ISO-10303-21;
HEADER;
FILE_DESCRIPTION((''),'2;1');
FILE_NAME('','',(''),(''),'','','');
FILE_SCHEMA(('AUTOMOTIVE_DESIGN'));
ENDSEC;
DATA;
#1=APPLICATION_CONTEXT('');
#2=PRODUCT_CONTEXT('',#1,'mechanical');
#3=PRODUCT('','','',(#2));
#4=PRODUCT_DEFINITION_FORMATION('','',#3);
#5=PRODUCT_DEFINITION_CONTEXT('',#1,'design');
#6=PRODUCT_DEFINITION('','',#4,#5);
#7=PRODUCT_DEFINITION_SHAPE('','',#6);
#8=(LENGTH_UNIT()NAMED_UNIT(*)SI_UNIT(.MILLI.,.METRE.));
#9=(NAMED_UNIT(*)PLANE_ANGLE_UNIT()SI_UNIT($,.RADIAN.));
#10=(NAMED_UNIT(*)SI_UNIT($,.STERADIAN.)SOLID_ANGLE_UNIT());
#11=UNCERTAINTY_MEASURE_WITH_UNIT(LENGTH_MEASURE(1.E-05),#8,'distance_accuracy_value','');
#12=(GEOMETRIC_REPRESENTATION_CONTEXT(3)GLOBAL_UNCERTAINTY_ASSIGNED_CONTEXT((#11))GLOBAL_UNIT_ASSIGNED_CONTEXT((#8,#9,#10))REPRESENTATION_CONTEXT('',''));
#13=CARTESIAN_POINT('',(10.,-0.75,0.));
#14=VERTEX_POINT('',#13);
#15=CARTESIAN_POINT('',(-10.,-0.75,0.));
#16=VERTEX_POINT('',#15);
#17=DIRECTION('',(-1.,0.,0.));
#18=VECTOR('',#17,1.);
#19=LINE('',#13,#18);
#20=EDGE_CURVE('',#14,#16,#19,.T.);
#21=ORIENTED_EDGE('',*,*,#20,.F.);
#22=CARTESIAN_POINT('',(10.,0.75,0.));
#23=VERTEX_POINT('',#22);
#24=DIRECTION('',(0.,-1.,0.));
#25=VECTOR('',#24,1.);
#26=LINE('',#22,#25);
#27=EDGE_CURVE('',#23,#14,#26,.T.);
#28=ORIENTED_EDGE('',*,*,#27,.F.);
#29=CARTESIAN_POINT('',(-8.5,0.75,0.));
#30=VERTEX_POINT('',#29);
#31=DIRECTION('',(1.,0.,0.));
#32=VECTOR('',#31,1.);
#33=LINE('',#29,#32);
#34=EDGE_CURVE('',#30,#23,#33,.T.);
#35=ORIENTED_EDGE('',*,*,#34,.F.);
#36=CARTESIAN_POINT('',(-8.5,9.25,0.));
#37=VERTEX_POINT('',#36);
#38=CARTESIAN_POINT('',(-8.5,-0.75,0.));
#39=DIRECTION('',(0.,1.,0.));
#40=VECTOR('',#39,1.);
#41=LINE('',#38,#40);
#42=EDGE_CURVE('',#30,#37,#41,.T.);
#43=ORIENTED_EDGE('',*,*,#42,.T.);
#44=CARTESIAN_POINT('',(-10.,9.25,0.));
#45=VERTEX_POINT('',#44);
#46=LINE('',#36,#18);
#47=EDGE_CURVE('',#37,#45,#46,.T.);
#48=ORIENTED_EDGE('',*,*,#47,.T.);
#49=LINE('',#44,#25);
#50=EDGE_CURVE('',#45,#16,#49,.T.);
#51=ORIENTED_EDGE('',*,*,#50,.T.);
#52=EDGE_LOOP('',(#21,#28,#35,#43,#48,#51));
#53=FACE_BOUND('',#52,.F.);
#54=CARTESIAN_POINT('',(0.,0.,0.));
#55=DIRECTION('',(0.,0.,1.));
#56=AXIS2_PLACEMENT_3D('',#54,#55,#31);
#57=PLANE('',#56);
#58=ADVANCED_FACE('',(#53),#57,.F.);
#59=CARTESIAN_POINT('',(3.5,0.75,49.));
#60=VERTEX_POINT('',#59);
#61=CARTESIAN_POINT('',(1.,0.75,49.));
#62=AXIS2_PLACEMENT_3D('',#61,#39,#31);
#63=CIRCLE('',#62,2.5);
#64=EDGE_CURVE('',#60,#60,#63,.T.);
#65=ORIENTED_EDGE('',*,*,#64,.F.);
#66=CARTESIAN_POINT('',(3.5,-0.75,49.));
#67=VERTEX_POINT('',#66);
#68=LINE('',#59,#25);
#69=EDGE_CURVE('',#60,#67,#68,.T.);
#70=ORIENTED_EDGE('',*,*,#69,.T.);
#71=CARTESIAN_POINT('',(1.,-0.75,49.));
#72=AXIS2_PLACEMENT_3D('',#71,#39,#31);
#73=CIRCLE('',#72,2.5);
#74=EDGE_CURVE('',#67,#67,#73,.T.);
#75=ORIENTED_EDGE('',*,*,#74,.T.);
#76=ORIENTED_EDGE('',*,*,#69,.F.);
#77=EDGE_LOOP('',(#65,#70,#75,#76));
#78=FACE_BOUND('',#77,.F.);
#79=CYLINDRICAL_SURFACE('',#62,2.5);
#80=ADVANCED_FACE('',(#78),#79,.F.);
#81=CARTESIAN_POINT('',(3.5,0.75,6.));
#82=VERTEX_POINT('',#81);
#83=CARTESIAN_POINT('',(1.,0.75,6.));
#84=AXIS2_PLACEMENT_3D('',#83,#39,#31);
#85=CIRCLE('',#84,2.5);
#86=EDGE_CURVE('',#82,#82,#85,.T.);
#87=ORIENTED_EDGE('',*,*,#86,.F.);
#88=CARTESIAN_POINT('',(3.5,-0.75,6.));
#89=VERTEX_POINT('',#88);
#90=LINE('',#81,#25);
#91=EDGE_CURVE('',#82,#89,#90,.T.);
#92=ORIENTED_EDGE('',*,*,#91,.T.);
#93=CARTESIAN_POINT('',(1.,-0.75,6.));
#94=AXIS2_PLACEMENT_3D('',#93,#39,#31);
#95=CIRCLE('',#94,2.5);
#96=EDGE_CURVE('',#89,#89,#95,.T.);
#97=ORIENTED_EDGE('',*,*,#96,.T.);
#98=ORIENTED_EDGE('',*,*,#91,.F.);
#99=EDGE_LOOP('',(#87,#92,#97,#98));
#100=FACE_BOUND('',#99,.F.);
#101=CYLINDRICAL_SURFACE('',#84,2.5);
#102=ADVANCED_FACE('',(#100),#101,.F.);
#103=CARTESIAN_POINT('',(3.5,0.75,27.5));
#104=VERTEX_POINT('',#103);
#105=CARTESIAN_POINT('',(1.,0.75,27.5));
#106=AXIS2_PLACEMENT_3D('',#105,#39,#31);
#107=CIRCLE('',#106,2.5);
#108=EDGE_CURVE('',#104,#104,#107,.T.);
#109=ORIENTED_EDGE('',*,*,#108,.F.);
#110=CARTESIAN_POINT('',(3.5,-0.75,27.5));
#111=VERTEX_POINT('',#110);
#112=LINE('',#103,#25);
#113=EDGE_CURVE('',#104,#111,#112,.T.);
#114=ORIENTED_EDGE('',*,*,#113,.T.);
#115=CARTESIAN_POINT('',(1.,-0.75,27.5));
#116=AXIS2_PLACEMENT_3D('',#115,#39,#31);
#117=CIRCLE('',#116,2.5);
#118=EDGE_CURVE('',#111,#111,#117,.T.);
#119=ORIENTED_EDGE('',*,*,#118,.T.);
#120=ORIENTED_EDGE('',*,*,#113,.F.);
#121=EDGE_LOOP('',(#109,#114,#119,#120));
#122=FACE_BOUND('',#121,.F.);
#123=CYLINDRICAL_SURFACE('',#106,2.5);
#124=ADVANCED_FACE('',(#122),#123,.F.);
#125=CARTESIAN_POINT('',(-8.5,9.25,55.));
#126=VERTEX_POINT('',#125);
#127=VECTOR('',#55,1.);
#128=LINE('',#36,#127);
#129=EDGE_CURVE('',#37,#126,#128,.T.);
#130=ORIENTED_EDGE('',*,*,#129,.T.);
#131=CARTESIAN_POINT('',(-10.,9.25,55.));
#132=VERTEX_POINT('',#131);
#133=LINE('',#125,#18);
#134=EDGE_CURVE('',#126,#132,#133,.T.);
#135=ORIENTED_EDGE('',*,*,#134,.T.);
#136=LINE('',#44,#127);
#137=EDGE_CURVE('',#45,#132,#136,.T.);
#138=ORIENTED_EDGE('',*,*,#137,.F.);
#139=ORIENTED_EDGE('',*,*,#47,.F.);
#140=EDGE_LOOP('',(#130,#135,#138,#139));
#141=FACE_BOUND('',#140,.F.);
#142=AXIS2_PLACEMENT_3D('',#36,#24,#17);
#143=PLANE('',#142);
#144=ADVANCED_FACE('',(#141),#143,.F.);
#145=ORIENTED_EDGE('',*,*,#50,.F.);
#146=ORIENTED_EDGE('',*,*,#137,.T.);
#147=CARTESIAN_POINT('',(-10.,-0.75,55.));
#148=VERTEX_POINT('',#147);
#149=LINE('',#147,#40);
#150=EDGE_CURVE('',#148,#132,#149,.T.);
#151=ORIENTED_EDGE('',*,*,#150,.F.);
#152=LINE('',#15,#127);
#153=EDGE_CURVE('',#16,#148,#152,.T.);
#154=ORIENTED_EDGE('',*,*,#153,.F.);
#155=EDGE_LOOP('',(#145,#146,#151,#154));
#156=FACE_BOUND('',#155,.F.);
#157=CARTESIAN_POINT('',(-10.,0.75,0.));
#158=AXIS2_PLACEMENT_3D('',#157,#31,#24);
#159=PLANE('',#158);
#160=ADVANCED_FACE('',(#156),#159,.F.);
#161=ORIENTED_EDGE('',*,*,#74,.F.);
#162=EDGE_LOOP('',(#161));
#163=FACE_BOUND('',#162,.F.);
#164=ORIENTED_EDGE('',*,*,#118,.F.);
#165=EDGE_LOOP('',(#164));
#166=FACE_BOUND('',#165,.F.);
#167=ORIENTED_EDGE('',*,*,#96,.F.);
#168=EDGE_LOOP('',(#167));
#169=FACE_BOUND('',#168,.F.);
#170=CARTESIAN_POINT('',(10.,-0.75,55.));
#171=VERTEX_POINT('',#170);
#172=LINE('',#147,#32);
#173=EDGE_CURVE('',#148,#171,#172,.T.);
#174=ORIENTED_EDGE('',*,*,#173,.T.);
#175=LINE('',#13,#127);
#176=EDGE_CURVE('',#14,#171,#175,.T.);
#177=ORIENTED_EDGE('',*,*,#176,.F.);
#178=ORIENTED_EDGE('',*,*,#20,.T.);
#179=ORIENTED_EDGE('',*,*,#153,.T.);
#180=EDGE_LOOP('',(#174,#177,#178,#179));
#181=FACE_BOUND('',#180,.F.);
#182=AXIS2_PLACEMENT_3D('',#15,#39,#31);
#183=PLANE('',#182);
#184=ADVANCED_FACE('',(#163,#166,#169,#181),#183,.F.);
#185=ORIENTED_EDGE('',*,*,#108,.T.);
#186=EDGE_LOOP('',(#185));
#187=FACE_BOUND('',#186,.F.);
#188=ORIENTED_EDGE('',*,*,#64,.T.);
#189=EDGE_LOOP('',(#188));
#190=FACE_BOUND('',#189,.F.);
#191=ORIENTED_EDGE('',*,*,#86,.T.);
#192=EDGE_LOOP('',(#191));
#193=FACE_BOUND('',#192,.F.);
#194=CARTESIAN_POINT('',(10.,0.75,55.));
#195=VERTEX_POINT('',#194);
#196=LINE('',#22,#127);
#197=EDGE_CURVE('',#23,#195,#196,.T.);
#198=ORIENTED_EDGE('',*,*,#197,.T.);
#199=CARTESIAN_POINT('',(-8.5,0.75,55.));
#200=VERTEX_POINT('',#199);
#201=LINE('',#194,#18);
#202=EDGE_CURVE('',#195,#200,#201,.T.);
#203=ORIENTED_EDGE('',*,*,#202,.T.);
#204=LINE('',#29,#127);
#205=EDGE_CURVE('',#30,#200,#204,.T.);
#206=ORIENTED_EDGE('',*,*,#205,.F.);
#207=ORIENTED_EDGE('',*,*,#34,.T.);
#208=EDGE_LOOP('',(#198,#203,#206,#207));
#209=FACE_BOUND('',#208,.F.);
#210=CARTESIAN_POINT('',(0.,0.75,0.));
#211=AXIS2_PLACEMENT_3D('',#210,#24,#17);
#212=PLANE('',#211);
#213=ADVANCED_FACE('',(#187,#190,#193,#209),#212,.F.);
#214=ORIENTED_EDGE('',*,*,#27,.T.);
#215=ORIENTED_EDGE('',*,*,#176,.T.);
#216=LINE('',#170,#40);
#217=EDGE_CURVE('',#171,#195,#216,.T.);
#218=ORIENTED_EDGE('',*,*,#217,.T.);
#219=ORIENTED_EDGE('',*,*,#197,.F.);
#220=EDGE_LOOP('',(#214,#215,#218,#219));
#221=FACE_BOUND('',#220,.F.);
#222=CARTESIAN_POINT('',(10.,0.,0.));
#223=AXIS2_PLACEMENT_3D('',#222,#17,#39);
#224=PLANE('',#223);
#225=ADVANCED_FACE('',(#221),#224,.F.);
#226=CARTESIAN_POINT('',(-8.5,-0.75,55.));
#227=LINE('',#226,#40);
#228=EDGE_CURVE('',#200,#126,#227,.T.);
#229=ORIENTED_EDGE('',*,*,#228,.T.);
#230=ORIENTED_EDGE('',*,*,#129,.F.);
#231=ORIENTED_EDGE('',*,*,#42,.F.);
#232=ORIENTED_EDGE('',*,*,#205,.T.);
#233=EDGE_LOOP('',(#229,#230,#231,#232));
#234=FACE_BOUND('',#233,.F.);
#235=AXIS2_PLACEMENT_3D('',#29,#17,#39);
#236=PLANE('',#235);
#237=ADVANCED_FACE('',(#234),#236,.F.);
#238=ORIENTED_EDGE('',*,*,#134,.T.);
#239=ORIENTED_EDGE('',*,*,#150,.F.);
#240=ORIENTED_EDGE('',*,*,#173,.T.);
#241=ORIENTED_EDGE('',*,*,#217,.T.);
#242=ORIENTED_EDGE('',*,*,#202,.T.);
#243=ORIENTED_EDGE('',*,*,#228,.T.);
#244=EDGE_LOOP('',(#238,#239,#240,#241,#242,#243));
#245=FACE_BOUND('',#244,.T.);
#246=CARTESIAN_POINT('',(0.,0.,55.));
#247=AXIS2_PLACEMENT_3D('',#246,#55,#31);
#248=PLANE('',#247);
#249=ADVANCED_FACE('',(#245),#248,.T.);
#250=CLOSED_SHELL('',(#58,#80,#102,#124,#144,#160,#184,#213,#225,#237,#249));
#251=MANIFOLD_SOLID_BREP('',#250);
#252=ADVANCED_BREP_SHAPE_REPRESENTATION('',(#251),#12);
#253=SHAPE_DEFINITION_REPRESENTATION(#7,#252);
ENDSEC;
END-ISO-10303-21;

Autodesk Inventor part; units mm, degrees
ref_plane "YZ Plane" through (0, 0, 0) normal (1, 0, 0) x (0, 1, 0)
ref_plane "XZ Plane" through (0, 0, 0) normal (0, 1, 0) x (-1, 0, 0)
ref_plane "XY Plane" through (0, 0, 0) normal (0, 0, 1) x (1, 0, 0)
sketch "Skizze1" plane through (0, 0, 0) normal (0, 0, 1) x (1, 0, 0)
  line L0 (-14, 0) -> (14, 0) projected
  line L1 (0, -2.75) -> (0, 11.25) projected
  line L2 (-10, -0.75) -> (10, -0.75)
  line L3 (10, -0.75) -> (10, 0.75)
  line L4 (10, 0.75) -> (-10, 0.75)
  line L5 (-10, 0.75) -> (-10, -0.75)
  line L6 (-10, -0.75) -> (-8.5, -0.75)
  line L7 (-8.5, -0.75) -> (-8.5, 9.25)
  line L8 (-8.5, 9.25) -> (-10, 9.25)
  line L9 (-10, 9.25) -> (-10, -0.75)
  point P0 (0, 0)
  dimension "d0" = 20
  dimension "d1" = 1.5
  dimension "d2" = 1.5
  dimension "d3" = 10
extrude "Extrusion1" add sketch "Skizze1" along normal blind 55
sketch "Skizze2" plane through (-8.5, 0.75, 0) normal (0, 1, 0) x (1, 0, 0)
  line L0 (0, -55) -> (0, 0) projected
  line L1 (18.5, -55) -> (0, -55) projected
  line L2 (18.5, 0) -> (18.5, -55) projected
  line L3 (18.5, 0) -> (0, 0) projected
  circle A0 centre (9.5, -49) radius 2.5
  circle A1 centre (9.5, -6) radius 2.5
  circle A2 centre (9.5, -27.5) radius 2.5
  line L4 (18.5, -55) -> (0, -55) projected
  line L5 (18.5, 0) -> (0, 0) projected
  point P0 (8.5, 0)
  dimension "d6" = 5
  dimension "d7" = 5
  dimension "d8" = 6
  dimension "d9" = 6
  dimension "d10" = 9
  dimension "d13" = 5
  dimension "d15" = 55
  dimension "d16" = 27.5
extrude "Extrusion2" cut sketch "Skizze2" against normal blind 1.5 contours A0 | A1 | A2
equation "\"d9\" = d8"
equation "\"d16\" = 0.5 * d15"
properties part number "Z-Stage_Wheel_plate" material "Aluminium 6061"
